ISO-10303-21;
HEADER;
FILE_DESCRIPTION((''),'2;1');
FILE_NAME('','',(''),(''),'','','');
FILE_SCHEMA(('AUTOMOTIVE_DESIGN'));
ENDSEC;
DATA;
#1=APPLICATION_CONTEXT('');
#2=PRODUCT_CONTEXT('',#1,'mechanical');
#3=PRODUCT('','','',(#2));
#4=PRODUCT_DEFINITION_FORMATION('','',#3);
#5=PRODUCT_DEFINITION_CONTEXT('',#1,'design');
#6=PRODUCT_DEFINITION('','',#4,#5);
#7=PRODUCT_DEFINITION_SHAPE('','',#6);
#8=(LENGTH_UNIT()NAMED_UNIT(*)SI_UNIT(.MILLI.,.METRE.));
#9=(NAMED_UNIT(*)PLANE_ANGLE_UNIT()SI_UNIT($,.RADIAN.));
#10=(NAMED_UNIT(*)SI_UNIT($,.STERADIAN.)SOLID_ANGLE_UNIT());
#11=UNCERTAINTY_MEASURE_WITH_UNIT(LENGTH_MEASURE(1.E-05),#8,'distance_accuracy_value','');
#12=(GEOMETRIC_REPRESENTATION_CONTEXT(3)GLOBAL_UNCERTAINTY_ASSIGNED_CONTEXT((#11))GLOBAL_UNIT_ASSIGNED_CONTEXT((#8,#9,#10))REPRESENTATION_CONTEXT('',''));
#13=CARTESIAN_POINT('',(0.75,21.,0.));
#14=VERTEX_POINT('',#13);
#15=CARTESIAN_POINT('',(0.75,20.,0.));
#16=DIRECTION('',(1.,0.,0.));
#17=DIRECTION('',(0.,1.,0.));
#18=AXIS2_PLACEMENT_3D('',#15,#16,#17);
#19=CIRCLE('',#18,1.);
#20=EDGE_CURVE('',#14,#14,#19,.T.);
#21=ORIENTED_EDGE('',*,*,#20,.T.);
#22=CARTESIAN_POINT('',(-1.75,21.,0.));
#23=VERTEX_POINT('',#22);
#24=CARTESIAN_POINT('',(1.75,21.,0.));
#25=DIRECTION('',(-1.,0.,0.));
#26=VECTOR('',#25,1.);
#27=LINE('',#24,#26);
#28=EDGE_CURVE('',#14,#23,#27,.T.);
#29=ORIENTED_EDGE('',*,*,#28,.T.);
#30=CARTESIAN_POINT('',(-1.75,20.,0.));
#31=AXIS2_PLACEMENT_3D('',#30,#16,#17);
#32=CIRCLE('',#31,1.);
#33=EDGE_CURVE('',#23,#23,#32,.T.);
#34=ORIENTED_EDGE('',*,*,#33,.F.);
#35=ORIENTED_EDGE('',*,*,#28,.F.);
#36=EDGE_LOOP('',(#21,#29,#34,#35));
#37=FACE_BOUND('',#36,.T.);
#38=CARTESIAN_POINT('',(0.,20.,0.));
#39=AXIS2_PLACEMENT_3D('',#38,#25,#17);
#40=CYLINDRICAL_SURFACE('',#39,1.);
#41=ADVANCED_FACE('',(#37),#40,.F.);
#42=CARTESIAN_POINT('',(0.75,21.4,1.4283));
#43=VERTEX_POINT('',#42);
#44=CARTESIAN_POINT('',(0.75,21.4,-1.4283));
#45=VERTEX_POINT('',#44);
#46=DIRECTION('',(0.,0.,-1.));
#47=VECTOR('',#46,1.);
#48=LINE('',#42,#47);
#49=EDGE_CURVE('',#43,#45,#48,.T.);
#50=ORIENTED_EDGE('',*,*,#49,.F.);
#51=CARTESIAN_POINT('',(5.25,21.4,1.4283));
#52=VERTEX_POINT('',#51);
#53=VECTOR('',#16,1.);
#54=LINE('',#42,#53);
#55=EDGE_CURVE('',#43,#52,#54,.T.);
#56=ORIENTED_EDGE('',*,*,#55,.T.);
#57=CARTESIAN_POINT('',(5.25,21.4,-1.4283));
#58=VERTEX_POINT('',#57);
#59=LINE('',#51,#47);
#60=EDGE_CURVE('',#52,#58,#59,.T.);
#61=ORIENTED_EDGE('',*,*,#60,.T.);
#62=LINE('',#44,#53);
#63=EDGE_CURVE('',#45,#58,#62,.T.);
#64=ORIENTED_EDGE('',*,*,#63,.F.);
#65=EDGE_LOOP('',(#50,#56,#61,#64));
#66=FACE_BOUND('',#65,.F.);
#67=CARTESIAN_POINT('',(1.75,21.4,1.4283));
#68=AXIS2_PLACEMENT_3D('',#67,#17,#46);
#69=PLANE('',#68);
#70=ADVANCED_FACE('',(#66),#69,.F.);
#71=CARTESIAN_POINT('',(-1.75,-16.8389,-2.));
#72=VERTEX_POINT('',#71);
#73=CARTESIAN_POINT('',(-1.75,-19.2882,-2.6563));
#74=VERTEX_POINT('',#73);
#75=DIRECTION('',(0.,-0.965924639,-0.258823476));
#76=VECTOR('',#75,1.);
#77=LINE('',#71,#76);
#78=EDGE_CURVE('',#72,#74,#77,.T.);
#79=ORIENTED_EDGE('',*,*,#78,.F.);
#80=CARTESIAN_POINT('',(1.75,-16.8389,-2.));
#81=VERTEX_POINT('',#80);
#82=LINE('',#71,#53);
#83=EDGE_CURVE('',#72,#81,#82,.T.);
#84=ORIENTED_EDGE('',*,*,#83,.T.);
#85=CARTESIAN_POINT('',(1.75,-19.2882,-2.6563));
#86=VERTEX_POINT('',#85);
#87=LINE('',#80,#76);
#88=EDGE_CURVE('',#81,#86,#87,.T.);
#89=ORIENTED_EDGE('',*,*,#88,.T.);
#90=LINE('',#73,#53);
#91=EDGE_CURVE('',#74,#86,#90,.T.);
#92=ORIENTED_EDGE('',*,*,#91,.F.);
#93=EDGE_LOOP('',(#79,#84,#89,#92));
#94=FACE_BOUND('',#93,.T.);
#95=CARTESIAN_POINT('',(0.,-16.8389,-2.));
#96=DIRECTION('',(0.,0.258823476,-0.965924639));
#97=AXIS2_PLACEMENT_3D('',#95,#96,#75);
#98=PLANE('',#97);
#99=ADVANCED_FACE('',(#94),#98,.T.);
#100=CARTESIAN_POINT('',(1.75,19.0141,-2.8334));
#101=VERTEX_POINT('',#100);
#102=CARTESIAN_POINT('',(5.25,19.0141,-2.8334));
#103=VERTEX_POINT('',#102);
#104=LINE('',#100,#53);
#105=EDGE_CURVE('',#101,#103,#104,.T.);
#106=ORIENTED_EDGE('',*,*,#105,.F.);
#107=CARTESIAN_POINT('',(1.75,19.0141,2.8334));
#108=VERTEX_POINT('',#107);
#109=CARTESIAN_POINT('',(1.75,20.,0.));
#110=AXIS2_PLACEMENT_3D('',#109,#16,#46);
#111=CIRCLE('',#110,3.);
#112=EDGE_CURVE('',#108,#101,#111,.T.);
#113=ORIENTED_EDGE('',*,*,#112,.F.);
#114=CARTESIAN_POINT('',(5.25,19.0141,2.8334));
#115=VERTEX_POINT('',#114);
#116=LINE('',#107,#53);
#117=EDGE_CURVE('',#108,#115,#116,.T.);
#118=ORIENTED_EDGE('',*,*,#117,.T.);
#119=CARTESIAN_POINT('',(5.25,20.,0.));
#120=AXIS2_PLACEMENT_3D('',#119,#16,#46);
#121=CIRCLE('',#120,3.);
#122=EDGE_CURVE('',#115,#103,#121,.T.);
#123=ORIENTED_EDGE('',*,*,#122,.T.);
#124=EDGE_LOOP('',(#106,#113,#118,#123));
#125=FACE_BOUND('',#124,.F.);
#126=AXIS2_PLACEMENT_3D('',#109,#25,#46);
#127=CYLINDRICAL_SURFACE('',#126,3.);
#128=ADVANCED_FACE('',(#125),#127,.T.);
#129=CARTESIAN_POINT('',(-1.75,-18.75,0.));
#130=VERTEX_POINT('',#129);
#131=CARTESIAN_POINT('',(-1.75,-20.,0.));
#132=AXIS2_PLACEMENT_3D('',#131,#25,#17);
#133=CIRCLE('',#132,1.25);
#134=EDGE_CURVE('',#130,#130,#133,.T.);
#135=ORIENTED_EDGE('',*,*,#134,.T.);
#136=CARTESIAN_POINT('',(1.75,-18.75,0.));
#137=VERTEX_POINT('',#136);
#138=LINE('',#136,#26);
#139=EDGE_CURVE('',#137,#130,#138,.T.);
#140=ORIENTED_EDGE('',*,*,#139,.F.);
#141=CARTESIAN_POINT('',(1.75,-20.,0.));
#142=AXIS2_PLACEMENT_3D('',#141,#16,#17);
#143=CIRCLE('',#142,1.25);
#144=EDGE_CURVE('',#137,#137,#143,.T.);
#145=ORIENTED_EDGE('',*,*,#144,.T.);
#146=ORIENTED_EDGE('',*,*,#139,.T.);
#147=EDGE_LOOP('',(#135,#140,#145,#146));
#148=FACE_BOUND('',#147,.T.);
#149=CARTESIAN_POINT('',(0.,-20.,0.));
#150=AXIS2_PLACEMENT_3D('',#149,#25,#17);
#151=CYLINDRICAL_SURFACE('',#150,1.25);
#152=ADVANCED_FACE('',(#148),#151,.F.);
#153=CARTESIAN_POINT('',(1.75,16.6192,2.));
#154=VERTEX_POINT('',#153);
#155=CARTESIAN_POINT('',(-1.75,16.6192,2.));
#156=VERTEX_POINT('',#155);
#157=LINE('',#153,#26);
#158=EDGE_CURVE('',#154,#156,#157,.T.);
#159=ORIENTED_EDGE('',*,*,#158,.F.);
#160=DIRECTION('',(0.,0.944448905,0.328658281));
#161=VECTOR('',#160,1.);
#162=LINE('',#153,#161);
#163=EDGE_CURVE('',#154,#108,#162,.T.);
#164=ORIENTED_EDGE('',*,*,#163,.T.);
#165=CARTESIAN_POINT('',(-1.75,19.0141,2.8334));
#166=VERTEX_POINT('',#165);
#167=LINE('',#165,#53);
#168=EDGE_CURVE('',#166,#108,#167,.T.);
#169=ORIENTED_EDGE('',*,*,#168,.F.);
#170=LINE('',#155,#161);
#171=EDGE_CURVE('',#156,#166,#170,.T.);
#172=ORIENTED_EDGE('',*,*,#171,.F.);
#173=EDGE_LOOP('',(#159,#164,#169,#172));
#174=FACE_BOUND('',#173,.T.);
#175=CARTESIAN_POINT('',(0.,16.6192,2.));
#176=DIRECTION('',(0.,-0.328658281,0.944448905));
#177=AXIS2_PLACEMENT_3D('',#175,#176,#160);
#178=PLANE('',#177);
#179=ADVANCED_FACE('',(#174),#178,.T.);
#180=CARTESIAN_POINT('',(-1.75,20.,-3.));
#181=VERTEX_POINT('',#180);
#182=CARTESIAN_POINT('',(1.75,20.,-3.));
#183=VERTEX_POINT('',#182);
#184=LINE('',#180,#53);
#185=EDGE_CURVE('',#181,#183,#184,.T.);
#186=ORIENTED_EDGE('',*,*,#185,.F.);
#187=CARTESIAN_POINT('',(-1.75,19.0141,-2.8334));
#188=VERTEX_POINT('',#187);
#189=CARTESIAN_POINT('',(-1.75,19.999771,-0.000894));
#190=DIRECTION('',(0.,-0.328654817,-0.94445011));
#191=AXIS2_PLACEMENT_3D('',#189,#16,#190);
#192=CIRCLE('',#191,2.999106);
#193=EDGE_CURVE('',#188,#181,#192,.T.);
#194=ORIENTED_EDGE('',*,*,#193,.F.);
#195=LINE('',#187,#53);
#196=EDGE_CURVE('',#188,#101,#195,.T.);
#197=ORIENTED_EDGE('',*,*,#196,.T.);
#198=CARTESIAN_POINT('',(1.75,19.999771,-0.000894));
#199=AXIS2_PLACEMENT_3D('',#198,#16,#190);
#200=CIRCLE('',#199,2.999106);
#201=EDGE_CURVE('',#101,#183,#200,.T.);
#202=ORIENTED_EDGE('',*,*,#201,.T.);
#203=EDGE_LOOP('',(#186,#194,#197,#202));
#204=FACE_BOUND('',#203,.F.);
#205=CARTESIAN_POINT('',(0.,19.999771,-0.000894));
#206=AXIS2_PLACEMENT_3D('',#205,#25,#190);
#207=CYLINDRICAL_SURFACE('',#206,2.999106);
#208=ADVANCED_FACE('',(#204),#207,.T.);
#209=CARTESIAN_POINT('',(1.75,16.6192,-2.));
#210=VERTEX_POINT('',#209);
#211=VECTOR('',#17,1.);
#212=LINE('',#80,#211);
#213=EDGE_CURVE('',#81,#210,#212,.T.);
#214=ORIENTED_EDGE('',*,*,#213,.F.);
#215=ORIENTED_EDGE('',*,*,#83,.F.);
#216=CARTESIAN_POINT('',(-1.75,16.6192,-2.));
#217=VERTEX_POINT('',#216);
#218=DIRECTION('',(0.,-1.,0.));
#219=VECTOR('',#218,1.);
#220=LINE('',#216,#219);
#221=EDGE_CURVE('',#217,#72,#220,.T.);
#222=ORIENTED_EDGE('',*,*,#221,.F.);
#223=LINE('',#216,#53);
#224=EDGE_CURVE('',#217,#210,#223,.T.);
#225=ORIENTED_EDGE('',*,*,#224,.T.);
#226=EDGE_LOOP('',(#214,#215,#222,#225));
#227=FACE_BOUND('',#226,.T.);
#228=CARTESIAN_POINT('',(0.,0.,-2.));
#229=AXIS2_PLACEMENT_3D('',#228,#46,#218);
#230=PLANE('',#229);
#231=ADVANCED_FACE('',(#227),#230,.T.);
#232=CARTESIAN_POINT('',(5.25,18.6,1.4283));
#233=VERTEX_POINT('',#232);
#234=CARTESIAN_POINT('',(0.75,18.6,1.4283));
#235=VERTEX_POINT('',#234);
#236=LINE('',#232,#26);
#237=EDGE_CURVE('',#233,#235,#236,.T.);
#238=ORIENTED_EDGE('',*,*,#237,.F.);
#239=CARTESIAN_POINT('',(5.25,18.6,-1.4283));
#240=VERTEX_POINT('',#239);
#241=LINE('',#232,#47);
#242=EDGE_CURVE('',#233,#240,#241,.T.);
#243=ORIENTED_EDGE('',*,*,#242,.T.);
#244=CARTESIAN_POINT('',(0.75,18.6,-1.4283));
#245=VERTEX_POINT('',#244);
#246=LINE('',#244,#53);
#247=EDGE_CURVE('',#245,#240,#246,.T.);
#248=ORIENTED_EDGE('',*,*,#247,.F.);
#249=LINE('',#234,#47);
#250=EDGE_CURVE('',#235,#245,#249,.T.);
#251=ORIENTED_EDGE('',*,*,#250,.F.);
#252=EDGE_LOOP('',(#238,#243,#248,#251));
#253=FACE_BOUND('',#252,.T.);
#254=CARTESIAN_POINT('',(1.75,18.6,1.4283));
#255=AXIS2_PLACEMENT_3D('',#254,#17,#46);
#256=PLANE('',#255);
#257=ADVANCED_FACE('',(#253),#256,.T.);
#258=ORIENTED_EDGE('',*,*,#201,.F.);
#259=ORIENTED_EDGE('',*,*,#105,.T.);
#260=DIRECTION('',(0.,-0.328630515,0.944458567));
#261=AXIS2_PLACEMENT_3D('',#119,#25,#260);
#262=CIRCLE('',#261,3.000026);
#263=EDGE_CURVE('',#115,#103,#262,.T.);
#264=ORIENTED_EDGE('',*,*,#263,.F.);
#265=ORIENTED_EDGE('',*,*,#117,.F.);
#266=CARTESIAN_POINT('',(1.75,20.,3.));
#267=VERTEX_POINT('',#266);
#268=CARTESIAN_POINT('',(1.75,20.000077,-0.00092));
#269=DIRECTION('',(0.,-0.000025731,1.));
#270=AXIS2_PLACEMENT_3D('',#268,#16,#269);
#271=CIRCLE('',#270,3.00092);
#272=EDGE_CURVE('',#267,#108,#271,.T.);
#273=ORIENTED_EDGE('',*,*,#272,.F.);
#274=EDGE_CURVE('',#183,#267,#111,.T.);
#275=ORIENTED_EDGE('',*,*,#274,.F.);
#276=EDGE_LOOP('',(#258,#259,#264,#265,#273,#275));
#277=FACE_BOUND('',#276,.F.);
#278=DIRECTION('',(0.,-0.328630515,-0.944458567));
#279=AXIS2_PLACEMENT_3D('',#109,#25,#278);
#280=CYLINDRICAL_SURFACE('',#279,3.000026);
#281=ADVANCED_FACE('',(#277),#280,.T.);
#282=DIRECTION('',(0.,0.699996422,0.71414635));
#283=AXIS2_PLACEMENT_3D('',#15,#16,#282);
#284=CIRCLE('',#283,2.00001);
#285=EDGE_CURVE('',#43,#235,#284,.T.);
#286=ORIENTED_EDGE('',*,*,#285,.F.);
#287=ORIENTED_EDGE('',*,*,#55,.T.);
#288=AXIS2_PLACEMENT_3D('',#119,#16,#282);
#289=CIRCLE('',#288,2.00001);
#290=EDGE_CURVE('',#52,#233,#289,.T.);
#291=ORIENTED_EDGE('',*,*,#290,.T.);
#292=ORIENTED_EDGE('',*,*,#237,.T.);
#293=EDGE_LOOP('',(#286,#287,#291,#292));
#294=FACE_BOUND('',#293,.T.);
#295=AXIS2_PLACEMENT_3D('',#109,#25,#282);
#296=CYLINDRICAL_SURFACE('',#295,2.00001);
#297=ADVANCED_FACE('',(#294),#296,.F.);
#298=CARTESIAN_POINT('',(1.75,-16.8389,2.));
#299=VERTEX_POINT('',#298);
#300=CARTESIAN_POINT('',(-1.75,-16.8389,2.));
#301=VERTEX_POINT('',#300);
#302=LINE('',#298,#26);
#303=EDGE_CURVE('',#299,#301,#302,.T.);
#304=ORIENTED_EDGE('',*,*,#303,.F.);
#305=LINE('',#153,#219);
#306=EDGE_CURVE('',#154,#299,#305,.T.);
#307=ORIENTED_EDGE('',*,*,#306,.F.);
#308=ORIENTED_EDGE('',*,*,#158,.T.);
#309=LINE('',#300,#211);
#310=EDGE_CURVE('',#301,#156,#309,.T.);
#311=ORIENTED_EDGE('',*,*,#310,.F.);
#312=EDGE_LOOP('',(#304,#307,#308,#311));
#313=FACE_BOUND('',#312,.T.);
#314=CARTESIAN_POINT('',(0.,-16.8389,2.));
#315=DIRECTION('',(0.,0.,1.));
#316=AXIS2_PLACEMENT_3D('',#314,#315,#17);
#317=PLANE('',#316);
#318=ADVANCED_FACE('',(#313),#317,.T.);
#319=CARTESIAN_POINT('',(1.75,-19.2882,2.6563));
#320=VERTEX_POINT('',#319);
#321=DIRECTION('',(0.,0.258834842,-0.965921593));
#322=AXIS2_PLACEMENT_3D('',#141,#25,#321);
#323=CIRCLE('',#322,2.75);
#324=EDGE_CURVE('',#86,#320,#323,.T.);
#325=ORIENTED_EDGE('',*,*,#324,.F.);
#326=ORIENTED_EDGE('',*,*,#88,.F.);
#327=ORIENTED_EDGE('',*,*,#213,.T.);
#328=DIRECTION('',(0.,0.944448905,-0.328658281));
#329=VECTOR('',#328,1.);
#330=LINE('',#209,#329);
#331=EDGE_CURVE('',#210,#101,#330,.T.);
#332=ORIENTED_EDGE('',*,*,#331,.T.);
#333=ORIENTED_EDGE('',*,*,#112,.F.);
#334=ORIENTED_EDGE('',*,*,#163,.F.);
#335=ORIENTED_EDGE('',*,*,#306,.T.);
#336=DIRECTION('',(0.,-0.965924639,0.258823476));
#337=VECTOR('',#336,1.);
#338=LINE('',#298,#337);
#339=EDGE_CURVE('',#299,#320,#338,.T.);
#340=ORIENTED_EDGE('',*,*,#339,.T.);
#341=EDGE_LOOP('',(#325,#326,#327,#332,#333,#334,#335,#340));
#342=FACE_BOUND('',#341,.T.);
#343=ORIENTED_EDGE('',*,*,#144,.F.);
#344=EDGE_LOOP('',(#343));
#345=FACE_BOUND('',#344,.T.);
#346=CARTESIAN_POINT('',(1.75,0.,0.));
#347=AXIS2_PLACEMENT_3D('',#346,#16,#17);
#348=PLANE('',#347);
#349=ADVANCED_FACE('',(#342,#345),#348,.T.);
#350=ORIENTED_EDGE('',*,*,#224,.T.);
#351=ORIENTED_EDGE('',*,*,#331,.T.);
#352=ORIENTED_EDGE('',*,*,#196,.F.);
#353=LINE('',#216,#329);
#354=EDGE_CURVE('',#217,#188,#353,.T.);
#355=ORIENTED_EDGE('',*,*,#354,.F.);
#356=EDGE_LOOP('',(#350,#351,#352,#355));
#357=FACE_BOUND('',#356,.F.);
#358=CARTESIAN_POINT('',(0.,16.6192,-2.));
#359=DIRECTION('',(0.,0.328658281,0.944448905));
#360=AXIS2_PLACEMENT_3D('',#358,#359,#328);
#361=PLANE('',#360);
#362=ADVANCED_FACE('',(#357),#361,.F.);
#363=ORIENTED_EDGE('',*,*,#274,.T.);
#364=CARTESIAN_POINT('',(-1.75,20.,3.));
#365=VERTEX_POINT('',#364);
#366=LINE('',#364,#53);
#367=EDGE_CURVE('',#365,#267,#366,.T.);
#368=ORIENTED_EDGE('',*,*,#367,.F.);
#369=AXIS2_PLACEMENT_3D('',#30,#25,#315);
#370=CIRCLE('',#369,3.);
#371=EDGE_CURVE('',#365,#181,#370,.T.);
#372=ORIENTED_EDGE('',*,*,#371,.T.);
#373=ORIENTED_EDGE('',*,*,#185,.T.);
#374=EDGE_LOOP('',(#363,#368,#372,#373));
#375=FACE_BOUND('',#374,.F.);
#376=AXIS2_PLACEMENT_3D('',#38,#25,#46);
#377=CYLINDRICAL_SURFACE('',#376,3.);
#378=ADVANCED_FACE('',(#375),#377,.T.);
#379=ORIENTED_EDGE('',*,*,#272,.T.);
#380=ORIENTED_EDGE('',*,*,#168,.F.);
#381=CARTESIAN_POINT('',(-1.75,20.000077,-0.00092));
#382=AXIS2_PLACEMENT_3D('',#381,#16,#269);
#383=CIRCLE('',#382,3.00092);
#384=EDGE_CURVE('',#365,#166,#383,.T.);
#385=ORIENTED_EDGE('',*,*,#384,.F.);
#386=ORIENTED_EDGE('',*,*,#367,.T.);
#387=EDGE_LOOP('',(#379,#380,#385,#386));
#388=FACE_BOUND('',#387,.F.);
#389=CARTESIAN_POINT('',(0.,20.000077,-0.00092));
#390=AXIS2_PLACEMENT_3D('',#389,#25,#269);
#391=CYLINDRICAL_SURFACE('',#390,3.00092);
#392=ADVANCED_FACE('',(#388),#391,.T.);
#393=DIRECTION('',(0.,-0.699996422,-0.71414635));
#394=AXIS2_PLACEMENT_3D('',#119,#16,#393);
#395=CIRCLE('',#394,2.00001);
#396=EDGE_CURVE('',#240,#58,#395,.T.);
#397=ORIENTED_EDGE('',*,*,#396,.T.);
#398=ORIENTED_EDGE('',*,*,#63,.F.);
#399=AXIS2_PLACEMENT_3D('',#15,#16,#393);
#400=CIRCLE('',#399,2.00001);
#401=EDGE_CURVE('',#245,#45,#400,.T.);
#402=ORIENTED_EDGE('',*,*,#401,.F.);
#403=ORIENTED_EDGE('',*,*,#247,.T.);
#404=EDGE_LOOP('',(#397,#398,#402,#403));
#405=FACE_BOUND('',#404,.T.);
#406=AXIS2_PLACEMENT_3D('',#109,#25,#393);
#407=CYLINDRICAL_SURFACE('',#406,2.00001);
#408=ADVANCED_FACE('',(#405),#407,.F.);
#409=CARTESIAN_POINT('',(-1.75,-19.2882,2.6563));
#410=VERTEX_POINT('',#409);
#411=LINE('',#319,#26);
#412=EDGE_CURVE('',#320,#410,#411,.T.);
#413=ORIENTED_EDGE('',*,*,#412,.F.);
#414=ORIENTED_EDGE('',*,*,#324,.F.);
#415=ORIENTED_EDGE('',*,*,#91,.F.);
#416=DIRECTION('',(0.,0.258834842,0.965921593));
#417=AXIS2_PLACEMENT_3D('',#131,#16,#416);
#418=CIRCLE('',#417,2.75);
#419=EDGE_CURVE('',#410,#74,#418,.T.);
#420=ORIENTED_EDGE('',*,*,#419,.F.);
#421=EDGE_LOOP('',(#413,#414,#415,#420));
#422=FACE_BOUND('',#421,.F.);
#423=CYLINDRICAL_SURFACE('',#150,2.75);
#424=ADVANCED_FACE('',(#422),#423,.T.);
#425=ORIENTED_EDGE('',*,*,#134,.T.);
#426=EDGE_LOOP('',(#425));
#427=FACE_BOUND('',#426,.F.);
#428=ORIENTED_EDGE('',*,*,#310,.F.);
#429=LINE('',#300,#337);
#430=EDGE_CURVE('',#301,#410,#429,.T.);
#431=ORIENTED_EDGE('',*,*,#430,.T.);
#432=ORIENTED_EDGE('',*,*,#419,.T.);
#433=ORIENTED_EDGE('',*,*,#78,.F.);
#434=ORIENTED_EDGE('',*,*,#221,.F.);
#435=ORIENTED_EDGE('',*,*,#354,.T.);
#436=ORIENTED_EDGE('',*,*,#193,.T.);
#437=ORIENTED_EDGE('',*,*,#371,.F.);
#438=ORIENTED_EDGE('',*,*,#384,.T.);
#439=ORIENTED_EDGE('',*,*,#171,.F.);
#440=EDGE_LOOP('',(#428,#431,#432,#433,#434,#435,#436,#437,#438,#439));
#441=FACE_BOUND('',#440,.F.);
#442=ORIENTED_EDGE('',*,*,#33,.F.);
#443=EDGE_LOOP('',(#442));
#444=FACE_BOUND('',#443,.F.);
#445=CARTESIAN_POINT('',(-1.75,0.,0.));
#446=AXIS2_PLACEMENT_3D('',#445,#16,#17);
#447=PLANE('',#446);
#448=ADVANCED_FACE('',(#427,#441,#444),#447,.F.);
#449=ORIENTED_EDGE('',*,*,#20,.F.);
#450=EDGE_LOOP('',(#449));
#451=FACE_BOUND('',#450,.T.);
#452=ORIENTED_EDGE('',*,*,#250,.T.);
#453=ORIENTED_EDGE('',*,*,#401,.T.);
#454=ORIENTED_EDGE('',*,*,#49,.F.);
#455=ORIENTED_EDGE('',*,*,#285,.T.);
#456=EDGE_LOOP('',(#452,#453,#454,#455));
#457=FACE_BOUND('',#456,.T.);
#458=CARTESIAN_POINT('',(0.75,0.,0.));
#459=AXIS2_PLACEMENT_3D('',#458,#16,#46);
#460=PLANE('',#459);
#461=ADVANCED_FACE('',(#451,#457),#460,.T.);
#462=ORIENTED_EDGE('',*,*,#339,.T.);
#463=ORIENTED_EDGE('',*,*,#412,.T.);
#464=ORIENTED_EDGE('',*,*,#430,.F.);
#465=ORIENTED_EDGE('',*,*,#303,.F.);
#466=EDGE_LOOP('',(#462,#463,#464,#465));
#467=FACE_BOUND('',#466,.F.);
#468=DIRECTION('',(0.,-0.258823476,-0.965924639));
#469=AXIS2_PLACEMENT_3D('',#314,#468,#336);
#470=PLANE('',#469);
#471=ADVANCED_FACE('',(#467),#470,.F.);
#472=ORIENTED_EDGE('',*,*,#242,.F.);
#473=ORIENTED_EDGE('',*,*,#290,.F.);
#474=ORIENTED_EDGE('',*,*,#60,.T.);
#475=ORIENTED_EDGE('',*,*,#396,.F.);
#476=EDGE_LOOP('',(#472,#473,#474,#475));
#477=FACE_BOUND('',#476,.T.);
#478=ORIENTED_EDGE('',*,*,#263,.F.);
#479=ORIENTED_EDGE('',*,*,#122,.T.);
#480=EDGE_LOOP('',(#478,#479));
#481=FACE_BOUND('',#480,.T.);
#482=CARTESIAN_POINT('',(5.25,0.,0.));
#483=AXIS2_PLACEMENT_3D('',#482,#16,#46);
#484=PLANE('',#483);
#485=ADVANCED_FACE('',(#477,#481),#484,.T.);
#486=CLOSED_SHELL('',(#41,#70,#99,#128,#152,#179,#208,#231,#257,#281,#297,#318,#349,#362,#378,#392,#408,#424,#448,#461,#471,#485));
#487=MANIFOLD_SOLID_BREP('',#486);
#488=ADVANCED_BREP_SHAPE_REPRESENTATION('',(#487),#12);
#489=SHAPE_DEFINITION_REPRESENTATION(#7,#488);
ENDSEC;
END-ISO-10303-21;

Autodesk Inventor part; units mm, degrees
ref_plane "YZ Plane" through (0, 0, 0) normal (1, 0, 0) x (0, 1, 0)
ref_plane "XZ Plane" through (0, 0, 0) normal (0, 1, 0) x (-1, 0, 0)
ref_plane "XY Plane" through (0, 0, 0) normal (0, 0, 1) x (1, 0, 0)
sketch "Sketch1" plane through (0, 0, 0) normal (1, 0, 0) x (0, 1, 0)
  line L0 (-32.2, 0) -> (32.2, 0) projected
  line L1 (0, -4.2) -> (0, 4.2) projected
  circle A0 centre (-20, 0) radius 1.25
  circle A1 centre (-20, 0) radius 3
  circle A2 centre (20, 0) radius 3 construction
  line L2 (-20, 3) -> (20, 3)
  line L3 (-20, -3) -> (20, -3)
  line L4 (20, 3) -> (20, -3) construction
  line L5 (20, 2) -> (20, -2) construction
  arc A3 (20, -3) -> (20, 3) centre (20, 0) ccw
  circle A4 centre (-20, 0) radius 2.2678 construction
  circle A5 centre (20, 0) radius 1
  point P0 (0, 0)
  dimension "d4" = 6
  dimension "d7" = 40
  dimension "d8" = 2.5
  dimension "d10" = 0
  dimension "d30" = 2
extrude "ext_main" add sketch "Sketch1" along normal mid plane 3.5 contours A0 L0 A1 | L0 A1 A0 | A1 L2 L1 L0 | L0 L1 L3 A1 | L1 L2 A3 L0 A5 | L0 A5 A3 L3 L1
sketch "Sketch3" plane through (0, 0, 0) normal (1, 0, 0) x (0, 1, 0)
  arc A0 (-20, 3) -> (-20, -3) centre (-20, 0) ccw projected
  circle A1 centre (-20, 0) radius 1.25 projected
  arc A2 (20, -3) -> (20, 3) centre (20, 0) ccw projected
  circle A3 centre (-20, 0) radius 3 construction
  circle A4 centre (20, 0) radius 3 construction
  line L0 (-17.7639, 2) -> (17.7639, 2) construction
  line L1 (-42.7, 0) -> (42.7, 0) projected
  line L2 (0, -4.2579) -> (0, 4.2579) projected
  line L3 (20, 3) -> (-20, 3) projected
  line L4 (16.6192, 2) -> (19.0141, 2.8334)
  arc A5 (20, 3) -> (19.0141, 2.8334) centre (20, 0) ccw
  line L5 (-16.8389, 2) -> (16.6192, 2)
  circle A6 centre (-20, 0) radius 2.75
  line L6 (-16.8389, 2) -> (-19.2882, 2.6563)
  arc A7 (19.0141, -2.8334) -> (20, -3) centre (20, 0) ccw
  line L7 (16.6192, -2) -> (-17.7639, -2) construction
  line L8 (-16.8389, -2) -> (-19.2882, -2.6563)
  line L9 (16.6192, -2) -> (-16.8389, -2)
  line L10 (16.6192, -2) -> (19.0141, -2.8334)
  point P0 (0, 0)
  dimension "d16" = 1
  dimension "d21" = 5.5
  dimension "d22" = 15
extrude "ext_cutaway" cut sketch "Sketch3" along normal through all both and the other way through all contours A6 L1 A1 | L1 A1 A6 | L5 L4 A5 A2 L1 L2 | L2 L1 A6 L6 L5 | A6 L1 L2 L9 L8 | L1 A2 A7 L10 L9 L2 keep common part
sketch "Sketch4" plane through (1.75, 0, 0) normal (1, 0, 0) x (0, 0, -1)
  arc A0 (2.8334, 19.0141) -> (-2.8334, 19.0141) centre (0, 20) ccw projected
  circle A1 centre (0, 20) radius 1 projected
  circle A2 centre (0, 20) radius 3
  line L0 (-4.2, 0) -> (4.2, 0) projected
  line L1 (-3, 20) -> (3, 20) construction
  circle A3 centre (0, 20) radius 2 construction
  arc A4 (-1.4283, 21.4) -> (-1.4283, 18.6) centre (0, 20) ccw
  arc A5 (1.4283, 18.6) -> (1.4283, 21.4) centre (0, 20) ccw
  line L2 (-1.4283, 21.4) -> (1.4283, 21.4)
  line L3 (-1.4283, 18.6) -> (1.4283, 18.6)
  point P0 (0, 0)
  dimension "d23" = 4
  dimension "d25" = 2.8
extrude "ext_potshaft" add sketch "Sketch4" along normal blind 3.5 contours A2 A0
extrude "ext_cut_potshaft" cut sketch "Sketch4" against normal blind 1 contours L2 A5 L3 A4
equation "\"d8\" = screw_m2_bore_loose"
equation "\"d30\" = screw_m2_bore_selfthreading"
equation "\"d21\" = general_bore_smallersupport_diameter"
equation "\"screw_m2_bore_loose\" = 2.5"
equation "\"screw_m2_bore_selfthreading\" = 2"
equation "\"general_bore_smallersupport_diameter\" = 5.5"
properties part number "empty"
